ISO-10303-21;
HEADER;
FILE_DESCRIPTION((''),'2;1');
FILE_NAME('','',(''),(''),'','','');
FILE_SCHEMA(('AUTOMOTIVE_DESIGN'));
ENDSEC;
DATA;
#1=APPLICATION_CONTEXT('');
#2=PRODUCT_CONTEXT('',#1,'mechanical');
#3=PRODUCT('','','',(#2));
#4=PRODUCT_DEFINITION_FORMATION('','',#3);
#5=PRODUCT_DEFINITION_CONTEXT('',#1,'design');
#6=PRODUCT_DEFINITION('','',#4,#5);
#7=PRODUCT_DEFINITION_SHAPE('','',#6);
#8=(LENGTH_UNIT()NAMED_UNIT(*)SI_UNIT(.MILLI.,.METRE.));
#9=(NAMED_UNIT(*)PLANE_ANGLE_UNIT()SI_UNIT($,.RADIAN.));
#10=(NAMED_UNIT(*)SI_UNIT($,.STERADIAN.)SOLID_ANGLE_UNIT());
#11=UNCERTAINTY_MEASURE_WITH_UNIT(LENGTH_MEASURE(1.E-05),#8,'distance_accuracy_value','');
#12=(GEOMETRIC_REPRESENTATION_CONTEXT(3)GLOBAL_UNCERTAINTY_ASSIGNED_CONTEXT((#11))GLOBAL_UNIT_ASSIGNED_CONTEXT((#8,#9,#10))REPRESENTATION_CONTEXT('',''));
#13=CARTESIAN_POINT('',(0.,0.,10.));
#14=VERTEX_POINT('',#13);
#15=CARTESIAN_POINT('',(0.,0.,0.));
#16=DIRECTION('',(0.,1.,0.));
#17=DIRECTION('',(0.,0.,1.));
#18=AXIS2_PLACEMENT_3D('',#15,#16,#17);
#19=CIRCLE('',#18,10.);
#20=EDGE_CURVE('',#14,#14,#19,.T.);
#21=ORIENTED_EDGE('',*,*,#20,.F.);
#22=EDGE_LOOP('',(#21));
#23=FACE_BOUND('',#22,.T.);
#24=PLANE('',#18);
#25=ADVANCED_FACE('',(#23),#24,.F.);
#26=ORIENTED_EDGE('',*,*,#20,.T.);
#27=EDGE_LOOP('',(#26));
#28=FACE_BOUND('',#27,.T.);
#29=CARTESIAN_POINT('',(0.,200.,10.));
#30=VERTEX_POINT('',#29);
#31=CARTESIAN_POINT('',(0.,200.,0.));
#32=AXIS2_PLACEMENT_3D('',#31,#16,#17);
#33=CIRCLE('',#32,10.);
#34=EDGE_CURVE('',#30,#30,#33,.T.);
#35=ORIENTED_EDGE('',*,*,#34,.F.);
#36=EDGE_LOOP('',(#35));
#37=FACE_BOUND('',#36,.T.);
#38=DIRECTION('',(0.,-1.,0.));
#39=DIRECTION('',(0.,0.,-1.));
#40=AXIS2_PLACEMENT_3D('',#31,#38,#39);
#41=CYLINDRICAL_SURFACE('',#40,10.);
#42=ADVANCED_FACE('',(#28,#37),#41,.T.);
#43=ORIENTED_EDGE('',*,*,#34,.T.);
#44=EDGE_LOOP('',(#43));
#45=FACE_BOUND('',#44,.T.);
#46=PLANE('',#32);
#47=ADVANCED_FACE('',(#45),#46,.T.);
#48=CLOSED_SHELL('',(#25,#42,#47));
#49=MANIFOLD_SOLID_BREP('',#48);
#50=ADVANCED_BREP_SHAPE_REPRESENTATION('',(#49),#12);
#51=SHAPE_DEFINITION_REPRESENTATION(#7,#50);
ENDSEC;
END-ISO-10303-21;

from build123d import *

# Parameters (mm, degrees)
ESBO_O1_R                = 10
RESSALTO_EXTRUS_O1_DEPTH = 200


with BuildPart() as part:
    # Esboço1 → Ressalto-extrusão1 (new body)
    with BuildSketch(Plane(origin=(0, 0, 0), x_dir=(1, 0, 0), z_dir=(0, 1, 0))):
        Circle(ESBO_O1_R)
    extrude(amount=RESSALTO_EXTRUS_O1_DEPTH)


solid = part.part
